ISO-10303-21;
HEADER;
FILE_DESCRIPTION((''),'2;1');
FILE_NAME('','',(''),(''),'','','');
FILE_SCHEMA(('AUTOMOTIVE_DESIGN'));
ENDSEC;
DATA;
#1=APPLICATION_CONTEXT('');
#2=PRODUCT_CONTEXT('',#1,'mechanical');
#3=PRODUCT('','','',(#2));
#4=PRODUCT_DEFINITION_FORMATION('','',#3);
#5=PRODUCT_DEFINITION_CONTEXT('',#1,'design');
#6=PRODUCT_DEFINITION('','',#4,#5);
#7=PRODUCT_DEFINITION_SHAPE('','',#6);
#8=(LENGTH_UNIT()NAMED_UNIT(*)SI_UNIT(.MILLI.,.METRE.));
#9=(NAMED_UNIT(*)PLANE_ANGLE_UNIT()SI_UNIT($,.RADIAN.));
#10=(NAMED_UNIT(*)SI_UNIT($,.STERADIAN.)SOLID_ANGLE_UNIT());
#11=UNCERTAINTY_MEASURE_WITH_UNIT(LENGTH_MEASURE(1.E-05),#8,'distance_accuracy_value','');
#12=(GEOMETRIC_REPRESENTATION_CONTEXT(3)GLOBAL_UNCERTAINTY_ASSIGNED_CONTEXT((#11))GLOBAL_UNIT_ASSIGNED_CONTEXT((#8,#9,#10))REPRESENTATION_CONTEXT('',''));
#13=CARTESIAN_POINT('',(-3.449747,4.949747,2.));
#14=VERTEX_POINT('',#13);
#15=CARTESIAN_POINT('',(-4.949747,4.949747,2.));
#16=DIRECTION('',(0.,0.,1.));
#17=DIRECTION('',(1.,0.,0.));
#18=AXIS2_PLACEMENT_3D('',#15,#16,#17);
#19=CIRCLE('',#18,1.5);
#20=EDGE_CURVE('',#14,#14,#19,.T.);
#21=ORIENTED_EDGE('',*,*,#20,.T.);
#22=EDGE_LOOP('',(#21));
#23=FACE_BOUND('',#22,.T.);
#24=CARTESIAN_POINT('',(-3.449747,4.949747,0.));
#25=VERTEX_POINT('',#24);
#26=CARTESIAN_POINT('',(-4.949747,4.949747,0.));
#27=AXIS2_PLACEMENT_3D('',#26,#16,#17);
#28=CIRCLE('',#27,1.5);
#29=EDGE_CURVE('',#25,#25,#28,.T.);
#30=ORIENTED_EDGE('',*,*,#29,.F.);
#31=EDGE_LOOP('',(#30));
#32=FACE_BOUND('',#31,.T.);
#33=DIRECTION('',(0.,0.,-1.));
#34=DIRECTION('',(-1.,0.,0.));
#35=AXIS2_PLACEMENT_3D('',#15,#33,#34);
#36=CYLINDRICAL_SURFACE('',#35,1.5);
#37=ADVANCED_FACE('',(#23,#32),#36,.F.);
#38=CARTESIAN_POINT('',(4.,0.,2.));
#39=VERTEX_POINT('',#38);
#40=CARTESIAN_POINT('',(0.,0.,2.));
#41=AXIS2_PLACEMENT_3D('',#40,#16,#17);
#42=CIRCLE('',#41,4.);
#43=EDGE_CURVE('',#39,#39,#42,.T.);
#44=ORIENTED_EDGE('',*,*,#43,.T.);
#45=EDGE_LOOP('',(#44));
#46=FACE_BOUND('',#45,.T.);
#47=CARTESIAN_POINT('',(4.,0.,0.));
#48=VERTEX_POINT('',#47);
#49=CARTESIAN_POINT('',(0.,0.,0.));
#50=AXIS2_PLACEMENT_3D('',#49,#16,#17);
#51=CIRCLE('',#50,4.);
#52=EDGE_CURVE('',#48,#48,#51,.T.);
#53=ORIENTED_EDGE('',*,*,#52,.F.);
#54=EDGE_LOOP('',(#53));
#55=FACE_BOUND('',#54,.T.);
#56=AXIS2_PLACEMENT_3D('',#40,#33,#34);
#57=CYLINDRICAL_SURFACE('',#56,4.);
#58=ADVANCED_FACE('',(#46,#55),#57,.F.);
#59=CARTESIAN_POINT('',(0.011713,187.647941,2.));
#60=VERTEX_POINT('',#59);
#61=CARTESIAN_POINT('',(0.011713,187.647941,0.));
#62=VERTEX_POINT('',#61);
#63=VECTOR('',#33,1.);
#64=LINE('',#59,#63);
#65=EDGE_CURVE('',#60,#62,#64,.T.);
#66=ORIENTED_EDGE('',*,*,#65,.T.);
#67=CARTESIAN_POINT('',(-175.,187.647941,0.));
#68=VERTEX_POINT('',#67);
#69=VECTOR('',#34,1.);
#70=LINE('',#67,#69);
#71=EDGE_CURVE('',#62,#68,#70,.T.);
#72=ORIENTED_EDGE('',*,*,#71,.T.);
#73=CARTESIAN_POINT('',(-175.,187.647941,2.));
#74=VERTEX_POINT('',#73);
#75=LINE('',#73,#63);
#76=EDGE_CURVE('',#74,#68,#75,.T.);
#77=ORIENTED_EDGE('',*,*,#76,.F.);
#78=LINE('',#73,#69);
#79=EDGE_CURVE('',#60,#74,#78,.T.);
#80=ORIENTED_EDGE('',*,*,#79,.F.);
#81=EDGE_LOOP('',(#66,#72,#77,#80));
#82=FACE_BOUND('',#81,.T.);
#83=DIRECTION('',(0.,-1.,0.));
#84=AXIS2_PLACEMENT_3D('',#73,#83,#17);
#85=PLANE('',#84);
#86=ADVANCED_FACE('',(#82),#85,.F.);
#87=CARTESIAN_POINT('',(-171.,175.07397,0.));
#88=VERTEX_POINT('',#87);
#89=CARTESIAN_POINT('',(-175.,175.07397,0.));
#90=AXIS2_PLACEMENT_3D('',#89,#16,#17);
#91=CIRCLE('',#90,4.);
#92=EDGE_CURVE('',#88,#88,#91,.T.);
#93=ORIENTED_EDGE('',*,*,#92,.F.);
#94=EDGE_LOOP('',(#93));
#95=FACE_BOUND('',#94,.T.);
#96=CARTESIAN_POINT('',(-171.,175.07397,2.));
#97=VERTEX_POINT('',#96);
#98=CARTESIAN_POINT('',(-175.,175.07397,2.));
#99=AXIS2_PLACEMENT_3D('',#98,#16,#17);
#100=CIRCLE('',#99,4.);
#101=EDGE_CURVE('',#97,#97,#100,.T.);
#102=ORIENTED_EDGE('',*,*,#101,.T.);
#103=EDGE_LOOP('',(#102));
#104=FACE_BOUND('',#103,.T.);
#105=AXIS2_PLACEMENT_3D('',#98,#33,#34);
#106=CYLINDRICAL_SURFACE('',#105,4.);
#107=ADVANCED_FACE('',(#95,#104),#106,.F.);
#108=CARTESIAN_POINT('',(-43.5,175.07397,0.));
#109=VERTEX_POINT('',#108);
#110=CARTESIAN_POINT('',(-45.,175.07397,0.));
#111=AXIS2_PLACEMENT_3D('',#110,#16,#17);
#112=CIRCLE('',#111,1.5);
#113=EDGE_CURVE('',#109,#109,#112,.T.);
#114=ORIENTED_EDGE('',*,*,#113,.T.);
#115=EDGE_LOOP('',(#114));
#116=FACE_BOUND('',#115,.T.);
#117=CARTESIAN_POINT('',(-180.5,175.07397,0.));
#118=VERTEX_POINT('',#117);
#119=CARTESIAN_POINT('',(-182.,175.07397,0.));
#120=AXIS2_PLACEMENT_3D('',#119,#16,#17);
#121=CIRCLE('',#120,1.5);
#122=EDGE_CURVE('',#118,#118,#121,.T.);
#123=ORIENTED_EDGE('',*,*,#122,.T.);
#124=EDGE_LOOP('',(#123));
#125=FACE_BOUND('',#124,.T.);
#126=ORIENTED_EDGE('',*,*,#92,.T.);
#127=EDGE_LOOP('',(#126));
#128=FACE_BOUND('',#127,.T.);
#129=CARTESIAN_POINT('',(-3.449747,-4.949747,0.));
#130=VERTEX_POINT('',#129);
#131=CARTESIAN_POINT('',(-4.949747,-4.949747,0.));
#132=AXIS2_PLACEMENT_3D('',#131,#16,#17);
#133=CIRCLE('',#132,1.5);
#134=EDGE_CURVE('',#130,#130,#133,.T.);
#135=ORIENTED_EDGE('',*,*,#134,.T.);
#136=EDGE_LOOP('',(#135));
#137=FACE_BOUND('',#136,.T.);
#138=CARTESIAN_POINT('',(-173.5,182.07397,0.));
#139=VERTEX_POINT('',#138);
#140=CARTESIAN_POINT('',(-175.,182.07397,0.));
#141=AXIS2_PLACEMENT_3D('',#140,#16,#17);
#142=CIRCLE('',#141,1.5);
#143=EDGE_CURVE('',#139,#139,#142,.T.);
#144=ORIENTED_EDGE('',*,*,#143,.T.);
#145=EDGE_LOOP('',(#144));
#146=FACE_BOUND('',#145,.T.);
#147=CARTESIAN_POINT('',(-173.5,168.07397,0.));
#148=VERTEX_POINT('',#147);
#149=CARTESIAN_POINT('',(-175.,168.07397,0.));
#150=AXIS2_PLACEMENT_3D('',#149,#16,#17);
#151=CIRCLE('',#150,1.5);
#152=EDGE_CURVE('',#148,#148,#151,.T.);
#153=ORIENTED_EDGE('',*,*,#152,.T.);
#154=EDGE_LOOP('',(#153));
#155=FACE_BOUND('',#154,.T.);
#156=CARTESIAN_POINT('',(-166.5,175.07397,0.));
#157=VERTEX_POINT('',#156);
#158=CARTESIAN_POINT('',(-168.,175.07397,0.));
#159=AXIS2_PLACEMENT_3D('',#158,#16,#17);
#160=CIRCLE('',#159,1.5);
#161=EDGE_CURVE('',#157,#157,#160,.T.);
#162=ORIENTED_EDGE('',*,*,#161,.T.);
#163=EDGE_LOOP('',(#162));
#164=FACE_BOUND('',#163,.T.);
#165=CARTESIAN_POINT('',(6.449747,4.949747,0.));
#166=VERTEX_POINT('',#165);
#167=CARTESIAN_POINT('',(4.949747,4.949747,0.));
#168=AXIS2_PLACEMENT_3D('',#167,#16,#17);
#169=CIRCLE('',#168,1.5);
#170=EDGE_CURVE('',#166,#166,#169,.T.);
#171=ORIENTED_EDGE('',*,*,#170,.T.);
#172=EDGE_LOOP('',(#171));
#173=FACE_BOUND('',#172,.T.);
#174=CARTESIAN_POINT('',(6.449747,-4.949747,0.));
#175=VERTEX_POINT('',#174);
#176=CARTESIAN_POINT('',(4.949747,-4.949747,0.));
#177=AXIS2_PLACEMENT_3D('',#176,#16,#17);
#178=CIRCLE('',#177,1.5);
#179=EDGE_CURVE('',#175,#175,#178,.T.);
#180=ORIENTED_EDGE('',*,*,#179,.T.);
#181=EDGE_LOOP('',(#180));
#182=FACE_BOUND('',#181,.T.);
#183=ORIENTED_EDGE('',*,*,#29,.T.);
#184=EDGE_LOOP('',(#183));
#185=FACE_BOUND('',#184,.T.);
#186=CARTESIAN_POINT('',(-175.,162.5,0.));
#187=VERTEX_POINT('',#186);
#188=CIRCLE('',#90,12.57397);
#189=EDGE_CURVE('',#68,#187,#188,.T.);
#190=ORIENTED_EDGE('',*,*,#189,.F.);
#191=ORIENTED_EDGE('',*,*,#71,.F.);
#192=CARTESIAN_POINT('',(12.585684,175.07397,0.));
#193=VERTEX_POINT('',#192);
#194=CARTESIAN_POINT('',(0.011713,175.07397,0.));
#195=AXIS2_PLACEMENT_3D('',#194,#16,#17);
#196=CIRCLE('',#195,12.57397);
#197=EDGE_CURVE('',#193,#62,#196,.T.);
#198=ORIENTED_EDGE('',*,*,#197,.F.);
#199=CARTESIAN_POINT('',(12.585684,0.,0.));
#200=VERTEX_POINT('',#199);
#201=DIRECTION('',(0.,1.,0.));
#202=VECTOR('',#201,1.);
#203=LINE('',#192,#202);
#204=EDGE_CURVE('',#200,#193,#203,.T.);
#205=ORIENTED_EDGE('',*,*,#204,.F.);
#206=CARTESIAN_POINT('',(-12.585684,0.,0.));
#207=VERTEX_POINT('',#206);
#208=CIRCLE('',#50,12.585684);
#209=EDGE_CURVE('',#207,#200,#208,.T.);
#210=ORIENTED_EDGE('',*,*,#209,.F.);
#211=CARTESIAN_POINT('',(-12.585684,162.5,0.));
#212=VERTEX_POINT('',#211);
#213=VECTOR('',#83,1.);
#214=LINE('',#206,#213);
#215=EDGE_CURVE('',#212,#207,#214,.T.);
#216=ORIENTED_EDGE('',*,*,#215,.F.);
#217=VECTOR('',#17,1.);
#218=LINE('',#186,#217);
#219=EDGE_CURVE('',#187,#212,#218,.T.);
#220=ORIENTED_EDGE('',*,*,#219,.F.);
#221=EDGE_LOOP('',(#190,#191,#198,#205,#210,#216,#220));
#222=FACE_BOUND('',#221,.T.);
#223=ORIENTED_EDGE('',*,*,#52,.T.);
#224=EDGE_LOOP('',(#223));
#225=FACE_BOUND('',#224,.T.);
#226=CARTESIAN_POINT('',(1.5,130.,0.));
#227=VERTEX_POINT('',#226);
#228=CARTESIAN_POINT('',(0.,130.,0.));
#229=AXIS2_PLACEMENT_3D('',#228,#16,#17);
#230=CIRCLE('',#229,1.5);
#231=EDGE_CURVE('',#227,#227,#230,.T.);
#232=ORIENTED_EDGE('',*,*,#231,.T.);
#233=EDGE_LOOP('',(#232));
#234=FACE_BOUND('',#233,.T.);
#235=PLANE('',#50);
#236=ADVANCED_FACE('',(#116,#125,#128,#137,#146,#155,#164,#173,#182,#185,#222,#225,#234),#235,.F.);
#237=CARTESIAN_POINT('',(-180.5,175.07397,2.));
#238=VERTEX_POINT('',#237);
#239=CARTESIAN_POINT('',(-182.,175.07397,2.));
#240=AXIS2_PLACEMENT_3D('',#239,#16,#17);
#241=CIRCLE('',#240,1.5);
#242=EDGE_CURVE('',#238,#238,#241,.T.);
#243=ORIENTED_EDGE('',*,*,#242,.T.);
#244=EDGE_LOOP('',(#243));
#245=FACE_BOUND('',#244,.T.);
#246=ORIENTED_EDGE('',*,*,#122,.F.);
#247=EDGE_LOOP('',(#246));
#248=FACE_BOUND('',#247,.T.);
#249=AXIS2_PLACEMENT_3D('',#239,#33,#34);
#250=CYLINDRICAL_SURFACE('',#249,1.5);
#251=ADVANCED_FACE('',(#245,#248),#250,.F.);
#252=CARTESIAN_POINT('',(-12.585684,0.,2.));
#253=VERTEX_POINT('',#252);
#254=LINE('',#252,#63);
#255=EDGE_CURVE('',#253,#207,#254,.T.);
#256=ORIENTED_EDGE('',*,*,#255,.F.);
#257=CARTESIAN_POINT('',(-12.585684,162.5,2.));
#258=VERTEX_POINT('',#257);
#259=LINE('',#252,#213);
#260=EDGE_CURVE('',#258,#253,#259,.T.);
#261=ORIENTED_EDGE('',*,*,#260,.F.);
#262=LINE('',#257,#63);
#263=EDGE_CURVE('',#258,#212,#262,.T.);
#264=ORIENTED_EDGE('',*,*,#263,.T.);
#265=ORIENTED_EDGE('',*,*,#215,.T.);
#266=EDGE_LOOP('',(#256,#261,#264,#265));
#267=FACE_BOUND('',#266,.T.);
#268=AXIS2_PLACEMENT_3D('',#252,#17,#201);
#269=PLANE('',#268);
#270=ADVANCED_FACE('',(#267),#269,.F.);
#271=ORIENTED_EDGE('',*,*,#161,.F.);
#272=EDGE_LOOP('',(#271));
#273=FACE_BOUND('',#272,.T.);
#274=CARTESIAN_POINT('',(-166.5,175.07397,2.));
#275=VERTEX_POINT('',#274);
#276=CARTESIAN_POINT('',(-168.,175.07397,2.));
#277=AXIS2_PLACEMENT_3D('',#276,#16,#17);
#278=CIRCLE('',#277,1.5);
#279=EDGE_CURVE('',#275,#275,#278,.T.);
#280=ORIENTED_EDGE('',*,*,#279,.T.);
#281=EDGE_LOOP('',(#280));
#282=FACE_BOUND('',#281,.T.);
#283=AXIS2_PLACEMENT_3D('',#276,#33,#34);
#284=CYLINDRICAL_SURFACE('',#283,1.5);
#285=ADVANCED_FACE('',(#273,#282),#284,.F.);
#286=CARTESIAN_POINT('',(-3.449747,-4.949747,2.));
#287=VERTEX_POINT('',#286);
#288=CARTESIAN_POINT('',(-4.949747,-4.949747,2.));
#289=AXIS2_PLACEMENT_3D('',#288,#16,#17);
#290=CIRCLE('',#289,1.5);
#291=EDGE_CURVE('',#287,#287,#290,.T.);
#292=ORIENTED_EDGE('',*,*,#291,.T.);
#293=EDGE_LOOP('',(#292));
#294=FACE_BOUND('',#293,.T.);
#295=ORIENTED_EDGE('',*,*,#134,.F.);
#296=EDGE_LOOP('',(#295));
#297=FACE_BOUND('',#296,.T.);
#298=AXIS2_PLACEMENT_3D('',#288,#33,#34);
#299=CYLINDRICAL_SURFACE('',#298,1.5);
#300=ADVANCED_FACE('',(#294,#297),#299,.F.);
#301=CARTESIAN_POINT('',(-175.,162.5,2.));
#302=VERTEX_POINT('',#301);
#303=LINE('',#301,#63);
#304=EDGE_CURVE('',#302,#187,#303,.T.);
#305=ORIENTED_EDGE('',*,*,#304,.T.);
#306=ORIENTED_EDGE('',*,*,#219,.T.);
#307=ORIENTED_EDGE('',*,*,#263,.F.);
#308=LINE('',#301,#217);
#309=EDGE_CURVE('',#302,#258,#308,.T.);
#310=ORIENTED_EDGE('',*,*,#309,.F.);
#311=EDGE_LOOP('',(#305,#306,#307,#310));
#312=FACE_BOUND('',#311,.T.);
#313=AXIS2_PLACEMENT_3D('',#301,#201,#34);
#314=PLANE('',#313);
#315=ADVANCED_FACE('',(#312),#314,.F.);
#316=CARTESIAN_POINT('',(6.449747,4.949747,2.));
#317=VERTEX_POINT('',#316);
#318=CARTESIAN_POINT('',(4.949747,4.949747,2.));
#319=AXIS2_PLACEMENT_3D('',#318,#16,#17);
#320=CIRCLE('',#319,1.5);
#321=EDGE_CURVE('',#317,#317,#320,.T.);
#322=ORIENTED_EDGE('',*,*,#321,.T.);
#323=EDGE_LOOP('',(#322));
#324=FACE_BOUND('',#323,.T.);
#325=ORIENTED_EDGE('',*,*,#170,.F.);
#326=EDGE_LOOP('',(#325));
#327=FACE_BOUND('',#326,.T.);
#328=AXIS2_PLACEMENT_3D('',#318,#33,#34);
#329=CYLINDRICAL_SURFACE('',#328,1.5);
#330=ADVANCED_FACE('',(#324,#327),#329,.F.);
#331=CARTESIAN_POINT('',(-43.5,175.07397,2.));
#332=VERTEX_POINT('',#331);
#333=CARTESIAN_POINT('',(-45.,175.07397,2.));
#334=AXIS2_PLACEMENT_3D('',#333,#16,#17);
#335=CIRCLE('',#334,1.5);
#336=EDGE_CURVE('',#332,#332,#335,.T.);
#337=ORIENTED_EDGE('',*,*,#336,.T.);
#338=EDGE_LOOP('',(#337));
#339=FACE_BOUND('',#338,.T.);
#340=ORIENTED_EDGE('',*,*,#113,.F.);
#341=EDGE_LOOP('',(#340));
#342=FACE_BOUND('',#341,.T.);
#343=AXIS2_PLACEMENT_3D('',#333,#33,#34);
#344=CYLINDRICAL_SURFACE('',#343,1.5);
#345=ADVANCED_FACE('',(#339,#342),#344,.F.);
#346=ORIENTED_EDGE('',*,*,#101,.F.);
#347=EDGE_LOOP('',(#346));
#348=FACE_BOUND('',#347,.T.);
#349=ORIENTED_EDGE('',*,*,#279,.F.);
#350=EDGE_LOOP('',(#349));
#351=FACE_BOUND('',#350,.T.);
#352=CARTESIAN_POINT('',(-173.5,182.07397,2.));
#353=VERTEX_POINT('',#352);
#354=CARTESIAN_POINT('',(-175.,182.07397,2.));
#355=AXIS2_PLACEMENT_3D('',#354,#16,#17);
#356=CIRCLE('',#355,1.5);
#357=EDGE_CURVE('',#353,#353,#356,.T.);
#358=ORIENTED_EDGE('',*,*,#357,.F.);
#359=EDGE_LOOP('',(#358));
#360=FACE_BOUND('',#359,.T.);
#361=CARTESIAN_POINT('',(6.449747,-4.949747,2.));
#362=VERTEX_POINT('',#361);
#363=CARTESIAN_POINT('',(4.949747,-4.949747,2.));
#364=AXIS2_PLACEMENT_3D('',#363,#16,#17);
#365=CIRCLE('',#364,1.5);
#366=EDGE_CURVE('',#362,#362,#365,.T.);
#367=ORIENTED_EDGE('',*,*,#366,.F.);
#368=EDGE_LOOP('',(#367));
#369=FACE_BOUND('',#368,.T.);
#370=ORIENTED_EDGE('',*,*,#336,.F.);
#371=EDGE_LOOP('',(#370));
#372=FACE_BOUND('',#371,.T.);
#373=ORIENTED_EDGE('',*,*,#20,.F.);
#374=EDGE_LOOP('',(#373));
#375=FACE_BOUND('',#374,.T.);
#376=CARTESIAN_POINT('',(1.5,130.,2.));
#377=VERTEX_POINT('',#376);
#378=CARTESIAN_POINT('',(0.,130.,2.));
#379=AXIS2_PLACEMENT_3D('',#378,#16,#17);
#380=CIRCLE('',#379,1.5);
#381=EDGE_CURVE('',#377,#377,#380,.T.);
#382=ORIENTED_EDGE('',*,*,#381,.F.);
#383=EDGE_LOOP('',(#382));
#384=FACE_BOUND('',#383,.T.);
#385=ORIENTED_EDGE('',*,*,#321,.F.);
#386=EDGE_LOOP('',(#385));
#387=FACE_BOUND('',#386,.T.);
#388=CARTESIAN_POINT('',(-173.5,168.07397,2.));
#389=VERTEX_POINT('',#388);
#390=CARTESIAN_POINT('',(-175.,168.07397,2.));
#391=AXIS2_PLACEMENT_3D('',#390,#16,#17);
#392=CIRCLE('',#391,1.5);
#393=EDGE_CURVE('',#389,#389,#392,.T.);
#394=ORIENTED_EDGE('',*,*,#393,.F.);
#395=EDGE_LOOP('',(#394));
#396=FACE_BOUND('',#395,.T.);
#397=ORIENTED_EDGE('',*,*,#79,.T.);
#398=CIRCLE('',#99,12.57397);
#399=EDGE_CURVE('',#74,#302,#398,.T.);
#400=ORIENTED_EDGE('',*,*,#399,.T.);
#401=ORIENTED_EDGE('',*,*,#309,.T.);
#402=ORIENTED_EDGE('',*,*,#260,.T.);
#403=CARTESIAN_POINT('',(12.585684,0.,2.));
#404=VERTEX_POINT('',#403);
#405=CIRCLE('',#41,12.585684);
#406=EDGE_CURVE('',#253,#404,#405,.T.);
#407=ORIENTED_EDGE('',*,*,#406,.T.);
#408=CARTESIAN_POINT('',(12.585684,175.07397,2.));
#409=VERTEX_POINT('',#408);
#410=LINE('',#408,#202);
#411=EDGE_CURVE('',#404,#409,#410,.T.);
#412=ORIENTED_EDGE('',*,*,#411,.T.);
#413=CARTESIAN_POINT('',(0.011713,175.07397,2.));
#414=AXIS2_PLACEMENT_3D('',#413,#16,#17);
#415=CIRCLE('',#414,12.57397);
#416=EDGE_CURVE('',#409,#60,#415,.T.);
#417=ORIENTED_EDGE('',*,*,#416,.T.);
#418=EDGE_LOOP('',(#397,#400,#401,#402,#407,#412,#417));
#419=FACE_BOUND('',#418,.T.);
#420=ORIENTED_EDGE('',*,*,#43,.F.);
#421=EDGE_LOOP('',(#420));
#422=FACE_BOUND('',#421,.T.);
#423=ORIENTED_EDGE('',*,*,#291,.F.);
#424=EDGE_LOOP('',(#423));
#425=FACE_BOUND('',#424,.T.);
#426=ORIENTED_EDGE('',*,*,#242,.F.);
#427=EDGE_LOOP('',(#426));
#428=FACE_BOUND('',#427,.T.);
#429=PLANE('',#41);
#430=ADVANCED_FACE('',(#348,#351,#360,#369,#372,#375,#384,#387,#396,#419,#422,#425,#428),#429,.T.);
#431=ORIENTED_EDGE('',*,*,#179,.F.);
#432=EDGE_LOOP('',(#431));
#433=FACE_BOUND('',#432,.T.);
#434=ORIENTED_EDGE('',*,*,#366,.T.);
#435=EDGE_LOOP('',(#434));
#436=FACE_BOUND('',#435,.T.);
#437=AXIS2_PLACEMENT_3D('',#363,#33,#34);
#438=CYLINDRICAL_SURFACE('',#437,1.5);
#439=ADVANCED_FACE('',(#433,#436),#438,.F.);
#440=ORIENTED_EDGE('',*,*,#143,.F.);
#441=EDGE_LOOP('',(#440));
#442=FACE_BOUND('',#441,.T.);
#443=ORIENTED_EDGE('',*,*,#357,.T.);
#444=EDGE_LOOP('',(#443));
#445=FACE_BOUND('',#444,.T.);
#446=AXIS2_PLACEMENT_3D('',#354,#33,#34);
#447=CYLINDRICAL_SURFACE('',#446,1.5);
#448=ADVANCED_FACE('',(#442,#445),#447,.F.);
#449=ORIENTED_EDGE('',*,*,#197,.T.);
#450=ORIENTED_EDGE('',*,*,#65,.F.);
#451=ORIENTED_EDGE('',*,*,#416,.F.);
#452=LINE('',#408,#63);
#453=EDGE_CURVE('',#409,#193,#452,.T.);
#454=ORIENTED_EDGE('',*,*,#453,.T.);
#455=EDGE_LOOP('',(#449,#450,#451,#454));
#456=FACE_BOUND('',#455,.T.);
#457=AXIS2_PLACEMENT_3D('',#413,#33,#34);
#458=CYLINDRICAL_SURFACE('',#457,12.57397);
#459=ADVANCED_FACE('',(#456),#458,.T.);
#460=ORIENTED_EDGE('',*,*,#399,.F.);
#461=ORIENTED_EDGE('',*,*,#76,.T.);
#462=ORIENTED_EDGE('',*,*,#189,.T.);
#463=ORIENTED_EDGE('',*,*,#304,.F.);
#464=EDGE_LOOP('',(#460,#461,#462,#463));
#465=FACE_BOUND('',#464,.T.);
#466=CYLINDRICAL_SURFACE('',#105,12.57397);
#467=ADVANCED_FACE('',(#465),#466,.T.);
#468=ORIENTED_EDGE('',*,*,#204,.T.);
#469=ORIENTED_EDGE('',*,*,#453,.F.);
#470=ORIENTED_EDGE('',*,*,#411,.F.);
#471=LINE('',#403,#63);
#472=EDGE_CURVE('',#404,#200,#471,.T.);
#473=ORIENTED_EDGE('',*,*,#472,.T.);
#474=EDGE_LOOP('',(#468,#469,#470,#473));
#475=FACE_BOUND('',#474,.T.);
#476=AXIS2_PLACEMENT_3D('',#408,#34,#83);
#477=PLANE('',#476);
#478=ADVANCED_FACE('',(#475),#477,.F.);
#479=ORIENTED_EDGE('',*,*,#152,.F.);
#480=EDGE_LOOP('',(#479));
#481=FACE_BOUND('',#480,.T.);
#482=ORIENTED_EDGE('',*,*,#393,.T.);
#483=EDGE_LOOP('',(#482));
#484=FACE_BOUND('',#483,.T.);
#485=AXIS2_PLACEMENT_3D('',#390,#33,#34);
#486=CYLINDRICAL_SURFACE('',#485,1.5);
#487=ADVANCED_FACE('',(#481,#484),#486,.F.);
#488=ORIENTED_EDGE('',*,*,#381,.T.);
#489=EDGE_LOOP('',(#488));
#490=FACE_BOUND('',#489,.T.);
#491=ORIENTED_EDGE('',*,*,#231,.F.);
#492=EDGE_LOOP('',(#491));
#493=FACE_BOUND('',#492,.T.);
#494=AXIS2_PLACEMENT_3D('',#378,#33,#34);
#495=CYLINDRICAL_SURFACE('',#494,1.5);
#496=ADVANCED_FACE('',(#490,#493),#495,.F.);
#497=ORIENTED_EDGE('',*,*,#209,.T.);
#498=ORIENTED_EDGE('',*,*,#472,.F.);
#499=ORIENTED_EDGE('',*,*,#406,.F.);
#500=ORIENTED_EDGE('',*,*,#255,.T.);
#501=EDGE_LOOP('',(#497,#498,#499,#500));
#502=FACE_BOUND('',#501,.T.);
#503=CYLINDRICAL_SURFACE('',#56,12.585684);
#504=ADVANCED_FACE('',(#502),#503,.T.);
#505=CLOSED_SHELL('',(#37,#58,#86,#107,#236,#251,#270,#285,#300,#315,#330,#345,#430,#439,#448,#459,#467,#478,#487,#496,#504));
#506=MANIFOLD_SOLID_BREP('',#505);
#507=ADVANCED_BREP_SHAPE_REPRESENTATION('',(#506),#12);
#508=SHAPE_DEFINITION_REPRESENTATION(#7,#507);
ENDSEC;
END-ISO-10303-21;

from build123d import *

# Parameters (mm, degrees)
SKETCH_1_R      = 4
SKETCH_1_R_2    = 1.5
EXTRUDE_2_DEPTH = 2


with BuildPart() as part:
    # 草图1 → 凸台-拉伸2 (new body)
    with BuildSketch(Plane.XY):
        with BuildLine():
            Line((-12.585683816, 0), (-12.585683816, 162.5))
            Line((-12.585683816, 162.5), (-175, 162.5))
            ThreePointArc((-175, 162.5), (-187.573970324, 175.073970324), (-175, 187.647940648))
            Line((-175, 187.647940648), (0.011713493, 187.647940648))
            ThreePointArc((0.011713493, 187.647940648), (8.902853175, 183.965110006), (12.585683816, 175.073970324))
            Line((12.585683816, 175.073970324), (12.585683816, 0))
            ThreePointArc((12.585683816, 0), (0, -12.585683816), (-12.585683816, 0))
        make_face()
        Circle(SKETCH_1_R, mode=Mode.SUBTRACT)
        with Locations((-175, 175.073970324)):
            Circle(SKETCH_1_R, mode=Mode.SUBTRACT)
        with Locations((-175, 182.073970324)):
            Circle(SKETCH_1_R_2, mode=Mode.SUBTRACT)
        with Locations((-168, 175.073970324)):
            Circle(SKETCH_1_R_2, mode=Mode.SUBTRACT)
        with Locations((-175, 168.073970324)):
            Circle(SKETCH_1_R_2, mode=Mode.SUBTRACT)
        with Locations((-182, 175.073970324)):
            Circle(SKETCH_1_R_2, mode=Mode.SUBTRACT)
        with Locations((0, 130)):
            Circle(SKETCH_1_R_2, mode=Mode.SUBTRACT)
        with Locations((-45, 175.073970324)):
            Circle(SKETCH_1_R_2, mode=Mode.SUBTRACT)
        with Locations((4.949747468, 4.949747468)):
            Circle(SKETCH_1_R_2, mode=Mode.SUBTRACT)
        with Locations((4.949747468, -4.949747468)):
            Circle(SKETCH_1_R_2, mode=Mode.SUBTRACT)
        with Locations((-4.949747468, -4.949747468)):
            Circle(SKETCH_1_R_2, mode=Mode.SUBTRACT)
        with Locations((-4.949747468, 4.949747468)):
            Circle(SKETCH_1_R_2, mode=Mode.SUBTRACT)
    extrude(amount=EXTRUDE_2_DEPTH)


solid = part.part
